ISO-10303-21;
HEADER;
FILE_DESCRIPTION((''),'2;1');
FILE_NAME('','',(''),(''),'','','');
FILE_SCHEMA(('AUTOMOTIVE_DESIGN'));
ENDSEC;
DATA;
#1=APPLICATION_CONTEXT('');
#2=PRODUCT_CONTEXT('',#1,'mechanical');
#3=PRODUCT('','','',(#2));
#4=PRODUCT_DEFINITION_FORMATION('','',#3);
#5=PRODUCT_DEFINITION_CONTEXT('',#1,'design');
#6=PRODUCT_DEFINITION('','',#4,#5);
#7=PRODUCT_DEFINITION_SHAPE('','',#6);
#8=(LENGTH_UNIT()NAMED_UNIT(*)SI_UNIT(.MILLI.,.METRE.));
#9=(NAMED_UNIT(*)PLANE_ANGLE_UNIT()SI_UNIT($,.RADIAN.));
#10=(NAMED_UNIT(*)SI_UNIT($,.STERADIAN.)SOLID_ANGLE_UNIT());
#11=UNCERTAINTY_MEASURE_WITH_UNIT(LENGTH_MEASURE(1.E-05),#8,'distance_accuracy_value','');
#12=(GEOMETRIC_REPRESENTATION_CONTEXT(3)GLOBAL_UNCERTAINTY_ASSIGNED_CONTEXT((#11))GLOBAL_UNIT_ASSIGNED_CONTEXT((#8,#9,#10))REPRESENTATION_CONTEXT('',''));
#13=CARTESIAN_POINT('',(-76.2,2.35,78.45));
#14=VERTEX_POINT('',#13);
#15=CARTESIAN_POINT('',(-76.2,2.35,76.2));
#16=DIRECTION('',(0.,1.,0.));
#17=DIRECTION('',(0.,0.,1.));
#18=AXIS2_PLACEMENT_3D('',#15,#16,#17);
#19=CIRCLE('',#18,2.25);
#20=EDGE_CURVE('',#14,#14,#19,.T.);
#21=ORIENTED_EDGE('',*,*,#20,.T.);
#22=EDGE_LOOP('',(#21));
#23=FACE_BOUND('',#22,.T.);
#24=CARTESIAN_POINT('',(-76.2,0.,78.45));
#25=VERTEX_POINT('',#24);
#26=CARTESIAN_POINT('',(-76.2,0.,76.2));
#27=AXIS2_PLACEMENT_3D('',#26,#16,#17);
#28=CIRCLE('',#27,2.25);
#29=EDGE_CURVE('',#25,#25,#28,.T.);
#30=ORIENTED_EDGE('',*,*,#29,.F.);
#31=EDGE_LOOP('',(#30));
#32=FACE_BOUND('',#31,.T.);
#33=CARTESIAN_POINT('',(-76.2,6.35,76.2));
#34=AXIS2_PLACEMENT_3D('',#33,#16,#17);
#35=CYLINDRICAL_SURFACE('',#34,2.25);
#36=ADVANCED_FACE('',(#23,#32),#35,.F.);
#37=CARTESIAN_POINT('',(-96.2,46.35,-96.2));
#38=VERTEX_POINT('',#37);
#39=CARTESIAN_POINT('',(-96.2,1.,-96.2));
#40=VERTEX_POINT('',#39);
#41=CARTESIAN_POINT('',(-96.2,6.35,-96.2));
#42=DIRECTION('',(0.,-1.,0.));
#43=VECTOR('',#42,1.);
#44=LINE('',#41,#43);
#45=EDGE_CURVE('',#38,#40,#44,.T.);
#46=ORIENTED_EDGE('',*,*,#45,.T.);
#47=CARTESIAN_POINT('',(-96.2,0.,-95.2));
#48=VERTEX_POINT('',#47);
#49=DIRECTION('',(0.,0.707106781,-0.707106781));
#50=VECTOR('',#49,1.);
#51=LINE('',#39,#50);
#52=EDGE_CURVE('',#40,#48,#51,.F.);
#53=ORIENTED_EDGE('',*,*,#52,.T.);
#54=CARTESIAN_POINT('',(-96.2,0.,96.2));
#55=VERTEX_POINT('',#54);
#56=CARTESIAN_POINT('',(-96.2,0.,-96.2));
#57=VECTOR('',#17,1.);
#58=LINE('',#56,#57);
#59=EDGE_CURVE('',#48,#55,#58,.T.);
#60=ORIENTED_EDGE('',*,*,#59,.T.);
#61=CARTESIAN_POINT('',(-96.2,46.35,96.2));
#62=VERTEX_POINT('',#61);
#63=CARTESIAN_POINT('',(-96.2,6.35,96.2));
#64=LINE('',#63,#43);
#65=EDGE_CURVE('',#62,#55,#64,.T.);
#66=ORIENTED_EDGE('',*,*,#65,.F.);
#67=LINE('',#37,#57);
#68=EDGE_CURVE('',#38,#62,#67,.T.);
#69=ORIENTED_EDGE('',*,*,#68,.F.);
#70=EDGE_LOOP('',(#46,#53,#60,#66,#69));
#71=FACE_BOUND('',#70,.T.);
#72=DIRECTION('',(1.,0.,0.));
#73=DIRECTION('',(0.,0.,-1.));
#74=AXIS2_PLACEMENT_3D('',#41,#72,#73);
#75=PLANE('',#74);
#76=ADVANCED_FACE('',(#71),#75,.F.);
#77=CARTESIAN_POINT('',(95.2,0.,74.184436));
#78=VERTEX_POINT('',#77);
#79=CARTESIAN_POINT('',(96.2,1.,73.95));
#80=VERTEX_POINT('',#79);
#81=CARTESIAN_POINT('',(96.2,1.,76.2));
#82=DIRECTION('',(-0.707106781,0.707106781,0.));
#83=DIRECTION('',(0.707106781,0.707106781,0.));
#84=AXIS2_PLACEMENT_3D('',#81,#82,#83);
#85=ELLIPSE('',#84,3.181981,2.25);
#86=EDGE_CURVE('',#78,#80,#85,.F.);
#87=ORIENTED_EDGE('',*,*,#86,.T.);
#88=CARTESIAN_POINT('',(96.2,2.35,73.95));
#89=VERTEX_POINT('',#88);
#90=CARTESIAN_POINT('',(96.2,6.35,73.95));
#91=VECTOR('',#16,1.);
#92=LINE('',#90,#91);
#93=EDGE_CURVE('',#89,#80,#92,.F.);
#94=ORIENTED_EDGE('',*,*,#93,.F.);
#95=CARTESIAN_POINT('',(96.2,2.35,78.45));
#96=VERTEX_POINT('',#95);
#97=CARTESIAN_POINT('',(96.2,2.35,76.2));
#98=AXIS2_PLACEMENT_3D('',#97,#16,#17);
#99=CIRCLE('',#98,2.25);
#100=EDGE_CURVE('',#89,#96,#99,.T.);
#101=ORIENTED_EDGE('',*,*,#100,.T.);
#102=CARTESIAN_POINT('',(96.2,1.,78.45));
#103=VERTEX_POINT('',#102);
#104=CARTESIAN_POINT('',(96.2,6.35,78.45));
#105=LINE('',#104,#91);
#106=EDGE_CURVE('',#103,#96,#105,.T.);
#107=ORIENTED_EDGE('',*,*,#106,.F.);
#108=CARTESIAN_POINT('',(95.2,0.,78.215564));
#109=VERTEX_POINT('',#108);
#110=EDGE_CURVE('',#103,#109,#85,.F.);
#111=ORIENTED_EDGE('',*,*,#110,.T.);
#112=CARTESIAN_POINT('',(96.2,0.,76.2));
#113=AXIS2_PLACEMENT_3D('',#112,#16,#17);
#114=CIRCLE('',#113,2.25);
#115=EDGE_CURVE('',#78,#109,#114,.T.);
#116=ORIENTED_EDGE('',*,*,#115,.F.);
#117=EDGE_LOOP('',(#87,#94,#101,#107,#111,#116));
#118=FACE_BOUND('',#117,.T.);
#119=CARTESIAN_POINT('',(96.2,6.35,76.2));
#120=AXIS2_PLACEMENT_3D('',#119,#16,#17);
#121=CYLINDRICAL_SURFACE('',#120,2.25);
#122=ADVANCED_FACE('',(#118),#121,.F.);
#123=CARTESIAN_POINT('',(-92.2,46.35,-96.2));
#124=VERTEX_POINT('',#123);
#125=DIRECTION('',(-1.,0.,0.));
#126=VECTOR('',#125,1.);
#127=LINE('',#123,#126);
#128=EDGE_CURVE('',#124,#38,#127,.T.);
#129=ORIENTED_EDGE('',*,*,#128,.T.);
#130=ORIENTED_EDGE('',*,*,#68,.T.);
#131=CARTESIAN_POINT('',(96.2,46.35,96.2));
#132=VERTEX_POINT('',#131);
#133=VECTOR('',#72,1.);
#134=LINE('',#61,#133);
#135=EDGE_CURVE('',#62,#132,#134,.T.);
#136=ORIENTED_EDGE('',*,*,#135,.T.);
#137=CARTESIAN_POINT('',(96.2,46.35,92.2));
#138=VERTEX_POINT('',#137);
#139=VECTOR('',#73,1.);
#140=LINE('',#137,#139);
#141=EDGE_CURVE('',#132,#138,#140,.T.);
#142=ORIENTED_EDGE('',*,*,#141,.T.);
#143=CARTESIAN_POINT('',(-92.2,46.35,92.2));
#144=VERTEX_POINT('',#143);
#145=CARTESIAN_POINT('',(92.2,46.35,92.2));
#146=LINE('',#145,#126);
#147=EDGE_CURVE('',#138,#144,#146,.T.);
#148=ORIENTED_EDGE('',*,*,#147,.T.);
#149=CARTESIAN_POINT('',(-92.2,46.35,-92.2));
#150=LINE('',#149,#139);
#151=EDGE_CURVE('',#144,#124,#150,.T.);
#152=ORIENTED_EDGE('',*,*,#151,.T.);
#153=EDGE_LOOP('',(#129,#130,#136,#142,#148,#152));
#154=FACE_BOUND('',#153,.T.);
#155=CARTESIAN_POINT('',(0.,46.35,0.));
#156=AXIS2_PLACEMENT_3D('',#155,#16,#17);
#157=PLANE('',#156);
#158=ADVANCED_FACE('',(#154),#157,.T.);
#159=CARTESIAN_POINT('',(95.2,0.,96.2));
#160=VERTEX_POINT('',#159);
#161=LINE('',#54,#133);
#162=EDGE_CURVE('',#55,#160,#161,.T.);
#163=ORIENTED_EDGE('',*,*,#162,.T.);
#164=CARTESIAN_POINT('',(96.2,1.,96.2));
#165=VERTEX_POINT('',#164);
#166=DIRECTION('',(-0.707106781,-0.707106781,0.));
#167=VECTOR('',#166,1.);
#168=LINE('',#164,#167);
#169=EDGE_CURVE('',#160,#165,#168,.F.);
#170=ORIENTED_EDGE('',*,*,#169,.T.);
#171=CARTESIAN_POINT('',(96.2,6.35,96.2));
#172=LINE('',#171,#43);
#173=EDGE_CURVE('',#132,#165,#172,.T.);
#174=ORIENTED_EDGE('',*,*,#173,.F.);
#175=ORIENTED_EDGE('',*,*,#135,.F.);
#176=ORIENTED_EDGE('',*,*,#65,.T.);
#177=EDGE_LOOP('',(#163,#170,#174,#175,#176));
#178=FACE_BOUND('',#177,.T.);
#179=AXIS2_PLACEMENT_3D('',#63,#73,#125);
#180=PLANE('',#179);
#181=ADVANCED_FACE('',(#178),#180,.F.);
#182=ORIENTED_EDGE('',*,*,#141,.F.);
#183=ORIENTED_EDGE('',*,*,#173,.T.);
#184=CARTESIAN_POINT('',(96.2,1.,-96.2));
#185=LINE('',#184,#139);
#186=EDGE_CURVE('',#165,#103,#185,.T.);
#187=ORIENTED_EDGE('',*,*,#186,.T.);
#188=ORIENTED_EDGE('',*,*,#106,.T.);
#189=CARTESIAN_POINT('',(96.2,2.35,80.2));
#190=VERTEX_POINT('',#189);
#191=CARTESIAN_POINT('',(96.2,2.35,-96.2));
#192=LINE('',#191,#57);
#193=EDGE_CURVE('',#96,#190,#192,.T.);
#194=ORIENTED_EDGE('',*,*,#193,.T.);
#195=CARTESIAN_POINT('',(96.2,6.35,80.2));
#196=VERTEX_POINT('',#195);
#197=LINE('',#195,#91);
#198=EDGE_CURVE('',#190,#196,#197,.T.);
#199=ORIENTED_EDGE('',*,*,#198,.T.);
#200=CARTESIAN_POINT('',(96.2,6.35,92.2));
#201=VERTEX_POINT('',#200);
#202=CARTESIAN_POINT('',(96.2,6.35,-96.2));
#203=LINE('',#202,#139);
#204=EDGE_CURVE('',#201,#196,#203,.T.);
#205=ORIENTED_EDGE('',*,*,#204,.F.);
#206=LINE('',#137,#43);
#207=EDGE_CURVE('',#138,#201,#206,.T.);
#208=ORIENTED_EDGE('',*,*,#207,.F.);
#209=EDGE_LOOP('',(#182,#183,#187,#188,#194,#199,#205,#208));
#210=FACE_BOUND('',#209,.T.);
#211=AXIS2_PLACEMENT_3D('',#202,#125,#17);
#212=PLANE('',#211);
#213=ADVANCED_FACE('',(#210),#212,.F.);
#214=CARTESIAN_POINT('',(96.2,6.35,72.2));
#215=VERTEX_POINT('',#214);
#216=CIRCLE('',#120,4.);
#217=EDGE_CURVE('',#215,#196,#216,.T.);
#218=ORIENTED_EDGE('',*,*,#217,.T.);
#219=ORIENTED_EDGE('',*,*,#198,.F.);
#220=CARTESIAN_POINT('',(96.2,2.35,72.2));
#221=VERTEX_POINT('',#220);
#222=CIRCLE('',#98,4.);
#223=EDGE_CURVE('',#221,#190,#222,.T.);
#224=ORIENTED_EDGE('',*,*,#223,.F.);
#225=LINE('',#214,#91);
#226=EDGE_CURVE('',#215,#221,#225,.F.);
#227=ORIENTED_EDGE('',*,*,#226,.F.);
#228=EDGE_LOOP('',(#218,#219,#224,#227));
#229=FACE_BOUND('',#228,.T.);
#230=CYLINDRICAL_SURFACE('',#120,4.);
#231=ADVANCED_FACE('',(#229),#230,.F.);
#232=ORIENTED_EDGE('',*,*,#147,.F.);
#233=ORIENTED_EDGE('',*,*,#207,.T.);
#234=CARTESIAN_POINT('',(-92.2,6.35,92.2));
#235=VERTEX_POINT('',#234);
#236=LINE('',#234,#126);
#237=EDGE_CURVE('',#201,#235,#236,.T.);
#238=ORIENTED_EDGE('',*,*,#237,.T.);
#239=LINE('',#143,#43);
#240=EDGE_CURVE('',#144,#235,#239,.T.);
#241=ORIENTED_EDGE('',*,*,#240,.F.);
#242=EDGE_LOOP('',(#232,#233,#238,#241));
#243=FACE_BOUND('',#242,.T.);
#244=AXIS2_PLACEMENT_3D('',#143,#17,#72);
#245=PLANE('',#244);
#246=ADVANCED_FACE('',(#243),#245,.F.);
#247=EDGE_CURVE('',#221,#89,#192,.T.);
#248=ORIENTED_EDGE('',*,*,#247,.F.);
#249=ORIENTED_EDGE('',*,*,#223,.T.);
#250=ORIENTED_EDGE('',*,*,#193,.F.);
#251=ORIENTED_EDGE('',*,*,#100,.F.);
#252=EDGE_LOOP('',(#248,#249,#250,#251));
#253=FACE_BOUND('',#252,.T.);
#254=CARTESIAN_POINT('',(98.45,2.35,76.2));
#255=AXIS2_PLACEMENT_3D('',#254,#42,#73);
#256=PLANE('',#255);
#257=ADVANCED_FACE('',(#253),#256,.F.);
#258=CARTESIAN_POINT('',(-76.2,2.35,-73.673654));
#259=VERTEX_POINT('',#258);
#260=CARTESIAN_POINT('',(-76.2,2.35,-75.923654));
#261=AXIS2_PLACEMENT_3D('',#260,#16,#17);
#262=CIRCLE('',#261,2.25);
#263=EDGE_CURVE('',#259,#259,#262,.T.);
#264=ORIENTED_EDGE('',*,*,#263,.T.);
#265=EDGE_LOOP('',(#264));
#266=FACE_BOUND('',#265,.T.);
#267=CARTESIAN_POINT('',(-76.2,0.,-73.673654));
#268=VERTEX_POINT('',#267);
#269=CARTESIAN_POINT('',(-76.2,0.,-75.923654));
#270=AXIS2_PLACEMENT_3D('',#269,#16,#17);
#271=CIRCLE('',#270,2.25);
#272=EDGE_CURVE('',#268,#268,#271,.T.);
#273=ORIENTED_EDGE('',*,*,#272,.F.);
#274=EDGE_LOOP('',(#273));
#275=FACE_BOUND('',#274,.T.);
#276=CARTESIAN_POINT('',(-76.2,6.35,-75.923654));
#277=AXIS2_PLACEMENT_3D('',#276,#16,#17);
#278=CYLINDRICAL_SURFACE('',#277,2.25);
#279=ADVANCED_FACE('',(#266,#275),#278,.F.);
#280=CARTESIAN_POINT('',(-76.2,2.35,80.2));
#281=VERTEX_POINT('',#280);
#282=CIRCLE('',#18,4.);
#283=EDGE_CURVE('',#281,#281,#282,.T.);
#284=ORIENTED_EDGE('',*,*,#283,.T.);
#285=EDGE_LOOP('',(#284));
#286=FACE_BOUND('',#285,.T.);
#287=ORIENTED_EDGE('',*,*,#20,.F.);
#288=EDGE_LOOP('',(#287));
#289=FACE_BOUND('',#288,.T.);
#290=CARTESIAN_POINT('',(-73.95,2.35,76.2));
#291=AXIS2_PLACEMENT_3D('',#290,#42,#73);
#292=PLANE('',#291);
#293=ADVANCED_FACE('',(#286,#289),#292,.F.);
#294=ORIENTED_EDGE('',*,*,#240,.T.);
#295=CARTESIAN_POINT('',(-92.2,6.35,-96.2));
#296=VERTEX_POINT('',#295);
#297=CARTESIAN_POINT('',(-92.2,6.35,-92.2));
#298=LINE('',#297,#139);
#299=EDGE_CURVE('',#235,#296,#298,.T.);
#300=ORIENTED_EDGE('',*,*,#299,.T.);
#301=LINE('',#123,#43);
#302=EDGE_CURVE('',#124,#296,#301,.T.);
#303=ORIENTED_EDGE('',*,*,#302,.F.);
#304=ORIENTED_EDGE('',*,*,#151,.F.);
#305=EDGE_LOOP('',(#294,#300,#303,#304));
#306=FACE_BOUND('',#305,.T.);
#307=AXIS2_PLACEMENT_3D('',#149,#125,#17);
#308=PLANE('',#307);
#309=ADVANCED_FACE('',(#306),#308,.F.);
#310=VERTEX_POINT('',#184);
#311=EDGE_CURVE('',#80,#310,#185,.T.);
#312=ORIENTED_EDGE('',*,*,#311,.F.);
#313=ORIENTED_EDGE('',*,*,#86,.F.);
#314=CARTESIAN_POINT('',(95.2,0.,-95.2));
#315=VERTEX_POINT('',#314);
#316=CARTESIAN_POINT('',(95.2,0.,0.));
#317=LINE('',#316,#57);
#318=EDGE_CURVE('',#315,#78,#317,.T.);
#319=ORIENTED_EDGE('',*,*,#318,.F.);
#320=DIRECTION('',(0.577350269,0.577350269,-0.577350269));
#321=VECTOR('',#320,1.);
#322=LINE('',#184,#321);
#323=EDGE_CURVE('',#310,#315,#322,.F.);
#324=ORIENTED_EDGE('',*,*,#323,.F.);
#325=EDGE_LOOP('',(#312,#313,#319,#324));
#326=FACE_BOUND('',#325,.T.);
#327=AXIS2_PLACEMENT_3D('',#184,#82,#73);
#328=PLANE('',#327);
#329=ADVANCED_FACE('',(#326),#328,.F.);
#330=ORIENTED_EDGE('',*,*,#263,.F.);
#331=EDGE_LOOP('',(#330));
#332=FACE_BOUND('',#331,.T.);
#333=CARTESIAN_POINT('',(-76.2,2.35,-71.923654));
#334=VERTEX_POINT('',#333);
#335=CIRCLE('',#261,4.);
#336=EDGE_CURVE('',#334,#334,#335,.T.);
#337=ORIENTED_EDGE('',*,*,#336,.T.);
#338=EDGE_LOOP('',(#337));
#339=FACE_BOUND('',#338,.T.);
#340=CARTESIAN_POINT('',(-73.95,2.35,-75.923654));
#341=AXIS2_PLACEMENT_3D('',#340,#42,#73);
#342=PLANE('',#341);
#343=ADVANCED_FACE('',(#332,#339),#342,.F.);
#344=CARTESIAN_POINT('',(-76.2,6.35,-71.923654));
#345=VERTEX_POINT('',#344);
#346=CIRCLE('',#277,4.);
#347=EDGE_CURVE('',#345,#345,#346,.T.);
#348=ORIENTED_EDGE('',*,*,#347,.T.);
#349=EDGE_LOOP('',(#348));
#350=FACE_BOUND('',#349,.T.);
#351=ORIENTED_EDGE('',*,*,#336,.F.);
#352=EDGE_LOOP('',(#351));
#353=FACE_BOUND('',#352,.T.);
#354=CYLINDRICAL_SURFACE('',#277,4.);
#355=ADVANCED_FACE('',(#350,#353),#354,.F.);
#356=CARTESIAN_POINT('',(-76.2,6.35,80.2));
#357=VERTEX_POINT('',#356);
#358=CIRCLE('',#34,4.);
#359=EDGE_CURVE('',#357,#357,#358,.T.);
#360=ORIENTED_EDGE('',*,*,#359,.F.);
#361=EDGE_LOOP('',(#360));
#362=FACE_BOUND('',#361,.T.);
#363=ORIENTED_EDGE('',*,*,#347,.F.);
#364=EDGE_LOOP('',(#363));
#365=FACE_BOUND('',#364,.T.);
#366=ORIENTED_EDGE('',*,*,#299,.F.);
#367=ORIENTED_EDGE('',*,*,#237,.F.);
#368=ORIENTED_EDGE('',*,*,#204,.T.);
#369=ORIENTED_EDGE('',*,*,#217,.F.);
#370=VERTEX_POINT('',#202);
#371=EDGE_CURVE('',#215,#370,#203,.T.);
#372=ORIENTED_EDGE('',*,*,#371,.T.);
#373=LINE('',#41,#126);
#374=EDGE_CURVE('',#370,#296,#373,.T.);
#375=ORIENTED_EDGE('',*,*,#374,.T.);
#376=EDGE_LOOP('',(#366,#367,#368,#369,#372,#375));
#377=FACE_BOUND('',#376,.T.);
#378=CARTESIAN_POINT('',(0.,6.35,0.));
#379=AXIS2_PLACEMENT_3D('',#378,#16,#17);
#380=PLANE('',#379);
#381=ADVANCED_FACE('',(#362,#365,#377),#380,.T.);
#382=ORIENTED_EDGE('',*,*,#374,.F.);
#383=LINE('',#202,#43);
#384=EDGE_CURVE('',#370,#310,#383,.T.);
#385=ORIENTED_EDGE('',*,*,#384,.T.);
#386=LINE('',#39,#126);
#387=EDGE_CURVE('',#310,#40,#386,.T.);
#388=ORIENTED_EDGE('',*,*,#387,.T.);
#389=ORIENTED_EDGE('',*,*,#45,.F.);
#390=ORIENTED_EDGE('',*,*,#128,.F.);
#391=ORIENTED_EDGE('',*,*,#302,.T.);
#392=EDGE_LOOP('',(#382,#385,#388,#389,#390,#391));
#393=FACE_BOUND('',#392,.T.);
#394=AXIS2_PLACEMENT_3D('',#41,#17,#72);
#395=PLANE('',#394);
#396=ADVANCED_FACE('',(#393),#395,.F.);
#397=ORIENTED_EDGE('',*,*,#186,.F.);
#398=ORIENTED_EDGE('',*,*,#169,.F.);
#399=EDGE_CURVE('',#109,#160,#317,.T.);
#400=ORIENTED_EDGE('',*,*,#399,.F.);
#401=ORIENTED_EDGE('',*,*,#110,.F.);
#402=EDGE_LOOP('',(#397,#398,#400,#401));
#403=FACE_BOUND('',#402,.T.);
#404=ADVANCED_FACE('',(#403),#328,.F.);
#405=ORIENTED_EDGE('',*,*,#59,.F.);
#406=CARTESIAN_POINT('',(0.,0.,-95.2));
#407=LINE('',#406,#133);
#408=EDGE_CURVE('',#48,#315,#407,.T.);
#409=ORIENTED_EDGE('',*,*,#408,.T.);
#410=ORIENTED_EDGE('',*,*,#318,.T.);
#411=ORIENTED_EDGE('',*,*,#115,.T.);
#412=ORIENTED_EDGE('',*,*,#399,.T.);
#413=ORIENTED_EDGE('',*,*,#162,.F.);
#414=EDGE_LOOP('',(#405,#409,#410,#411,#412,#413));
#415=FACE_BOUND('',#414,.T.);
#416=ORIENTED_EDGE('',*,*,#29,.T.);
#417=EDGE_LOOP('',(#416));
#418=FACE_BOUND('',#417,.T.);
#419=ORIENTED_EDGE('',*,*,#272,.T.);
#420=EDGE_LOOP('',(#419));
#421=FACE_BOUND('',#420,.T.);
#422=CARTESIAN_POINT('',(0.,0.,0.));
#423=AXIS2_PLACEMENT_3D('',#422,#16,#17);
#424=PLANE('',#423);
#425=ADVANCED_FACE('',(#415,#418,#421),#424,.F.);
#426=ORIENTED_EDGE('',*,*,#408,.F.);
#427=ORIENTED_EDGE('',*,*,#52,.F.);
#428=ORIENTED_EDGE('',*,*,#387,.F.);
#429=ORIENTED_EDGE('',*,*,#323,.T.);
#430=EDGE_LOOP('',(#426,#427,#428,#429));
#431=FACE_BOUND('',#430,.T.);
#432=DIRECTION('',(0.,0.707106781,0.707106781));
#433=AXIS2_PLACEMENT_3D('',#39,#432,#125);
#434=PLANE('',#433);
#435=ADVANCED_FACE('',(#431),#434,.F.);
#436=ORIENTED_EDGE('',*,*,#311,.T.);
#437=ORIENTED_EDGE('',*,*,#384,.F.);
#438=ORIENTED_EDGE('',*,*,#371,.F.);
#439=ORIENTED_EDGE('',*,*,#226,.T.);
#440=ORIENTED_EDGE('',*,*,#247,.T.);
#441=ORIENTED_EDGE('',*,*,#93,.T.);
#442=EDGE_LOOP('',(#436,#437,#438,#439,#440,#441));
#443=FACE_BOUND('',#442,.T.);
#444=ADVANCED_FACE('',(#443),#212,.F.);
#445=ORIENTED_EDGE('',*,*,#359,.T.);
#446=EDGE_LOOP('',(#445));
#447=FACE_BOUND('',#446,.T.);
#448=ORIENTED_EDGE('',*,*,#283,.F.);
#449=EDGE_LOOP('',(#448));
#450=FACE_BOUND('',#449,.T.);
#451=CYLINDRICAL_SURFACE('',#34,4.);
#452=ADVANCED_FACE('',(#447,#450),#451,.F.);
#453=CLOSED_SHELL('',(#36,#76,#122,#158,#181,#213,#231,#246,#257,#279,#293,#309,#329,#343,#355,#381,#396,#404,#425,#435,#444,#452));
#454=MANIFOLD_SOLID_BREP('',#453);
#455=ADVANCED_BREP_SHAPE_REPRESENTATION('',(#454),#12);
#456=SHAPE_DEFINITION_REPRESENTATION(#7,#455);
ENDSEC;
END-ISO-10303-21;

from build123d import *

# Parameters (mm, degrees)
SKETCH1_W                      = 192.4
SKETCH1_H                      = 192.4
BOSS_EXTRUDE1_DEPTH            = 6.35
BOSS_EXTRUDE2_DEPTH            = 40
CBORE_FOR_M4_SHCS1_D           = 4.5
CBORE_FOR_M4_SHCS1_DEPTH       = 6.35
CBORE_FOR_M4_SHCS1_CBORE_D     = 8
CBORE_FOR_M4_SHCS1_CBORE_DEPTH = 4
CHAMFER1_SIZE                  = 1


with BuildPart() as part:
    # Sketch1 → Boss-Extrude1 (new body)
    with BuildSketch(Plane(origin=(0, 0, 0), x_dir=(1, 0, 0), z_dir=(0, 1, 0))):
        Rectangle(SKETCH1_W, SKETCH1_H)
    extrude(amount=BOSS_EXTRUDE1_DEPTH)

    # Sketch2 → Boss-Extrude2 (add)
    with BuildSketch(Plane(origin=(0, 6.35, 0), x_dir=(1, 0, 0), z_dir=(0, 1, 0))):
        Polygon((-92.2, 92.2), (-92.2, -92.2), (92.2, -92.2), (96.2, -92.2), (96.2, -96.2), (-96.2, -96.2), (-96.2, 96.2), (-92.2, 96.2), align=None)
    extrude(amount=BOSS_EXTRUDE2_DEPTH)

    # CBORE for M4 SHCS1
    with Locations(Plane(origin=(0, 6.35, 0), x_dir=(1, 0, 0), z_dir=(0, 1, 0))):
        with Locations((96.2, -76.2), (-76.2, -76.2), (-76.2, 75.92365398)):
            CounterBoreHole(CBORE_FOR_M4_SHCS1_D / 2, CBORE_FOR_M4_SHCS1_CBORE_D / 2, CBORE_FOR_M4_SHCS1_CBORE_DEPTH, depth=CBORE_FOR_M4_SHCS1_DEPTH)

    # Chamfer1
    chamfer1_edges = [part.edges().sort_by_distance(p)[0] for p in [
        (96.2, 0, -11.125),
        (0, 0, -96.2),
        (96.2, 0, 87.325),
    ]]
    chamfer(chamfer1_edges, length=CHAMFER1_SIZE)


solid = part.part
